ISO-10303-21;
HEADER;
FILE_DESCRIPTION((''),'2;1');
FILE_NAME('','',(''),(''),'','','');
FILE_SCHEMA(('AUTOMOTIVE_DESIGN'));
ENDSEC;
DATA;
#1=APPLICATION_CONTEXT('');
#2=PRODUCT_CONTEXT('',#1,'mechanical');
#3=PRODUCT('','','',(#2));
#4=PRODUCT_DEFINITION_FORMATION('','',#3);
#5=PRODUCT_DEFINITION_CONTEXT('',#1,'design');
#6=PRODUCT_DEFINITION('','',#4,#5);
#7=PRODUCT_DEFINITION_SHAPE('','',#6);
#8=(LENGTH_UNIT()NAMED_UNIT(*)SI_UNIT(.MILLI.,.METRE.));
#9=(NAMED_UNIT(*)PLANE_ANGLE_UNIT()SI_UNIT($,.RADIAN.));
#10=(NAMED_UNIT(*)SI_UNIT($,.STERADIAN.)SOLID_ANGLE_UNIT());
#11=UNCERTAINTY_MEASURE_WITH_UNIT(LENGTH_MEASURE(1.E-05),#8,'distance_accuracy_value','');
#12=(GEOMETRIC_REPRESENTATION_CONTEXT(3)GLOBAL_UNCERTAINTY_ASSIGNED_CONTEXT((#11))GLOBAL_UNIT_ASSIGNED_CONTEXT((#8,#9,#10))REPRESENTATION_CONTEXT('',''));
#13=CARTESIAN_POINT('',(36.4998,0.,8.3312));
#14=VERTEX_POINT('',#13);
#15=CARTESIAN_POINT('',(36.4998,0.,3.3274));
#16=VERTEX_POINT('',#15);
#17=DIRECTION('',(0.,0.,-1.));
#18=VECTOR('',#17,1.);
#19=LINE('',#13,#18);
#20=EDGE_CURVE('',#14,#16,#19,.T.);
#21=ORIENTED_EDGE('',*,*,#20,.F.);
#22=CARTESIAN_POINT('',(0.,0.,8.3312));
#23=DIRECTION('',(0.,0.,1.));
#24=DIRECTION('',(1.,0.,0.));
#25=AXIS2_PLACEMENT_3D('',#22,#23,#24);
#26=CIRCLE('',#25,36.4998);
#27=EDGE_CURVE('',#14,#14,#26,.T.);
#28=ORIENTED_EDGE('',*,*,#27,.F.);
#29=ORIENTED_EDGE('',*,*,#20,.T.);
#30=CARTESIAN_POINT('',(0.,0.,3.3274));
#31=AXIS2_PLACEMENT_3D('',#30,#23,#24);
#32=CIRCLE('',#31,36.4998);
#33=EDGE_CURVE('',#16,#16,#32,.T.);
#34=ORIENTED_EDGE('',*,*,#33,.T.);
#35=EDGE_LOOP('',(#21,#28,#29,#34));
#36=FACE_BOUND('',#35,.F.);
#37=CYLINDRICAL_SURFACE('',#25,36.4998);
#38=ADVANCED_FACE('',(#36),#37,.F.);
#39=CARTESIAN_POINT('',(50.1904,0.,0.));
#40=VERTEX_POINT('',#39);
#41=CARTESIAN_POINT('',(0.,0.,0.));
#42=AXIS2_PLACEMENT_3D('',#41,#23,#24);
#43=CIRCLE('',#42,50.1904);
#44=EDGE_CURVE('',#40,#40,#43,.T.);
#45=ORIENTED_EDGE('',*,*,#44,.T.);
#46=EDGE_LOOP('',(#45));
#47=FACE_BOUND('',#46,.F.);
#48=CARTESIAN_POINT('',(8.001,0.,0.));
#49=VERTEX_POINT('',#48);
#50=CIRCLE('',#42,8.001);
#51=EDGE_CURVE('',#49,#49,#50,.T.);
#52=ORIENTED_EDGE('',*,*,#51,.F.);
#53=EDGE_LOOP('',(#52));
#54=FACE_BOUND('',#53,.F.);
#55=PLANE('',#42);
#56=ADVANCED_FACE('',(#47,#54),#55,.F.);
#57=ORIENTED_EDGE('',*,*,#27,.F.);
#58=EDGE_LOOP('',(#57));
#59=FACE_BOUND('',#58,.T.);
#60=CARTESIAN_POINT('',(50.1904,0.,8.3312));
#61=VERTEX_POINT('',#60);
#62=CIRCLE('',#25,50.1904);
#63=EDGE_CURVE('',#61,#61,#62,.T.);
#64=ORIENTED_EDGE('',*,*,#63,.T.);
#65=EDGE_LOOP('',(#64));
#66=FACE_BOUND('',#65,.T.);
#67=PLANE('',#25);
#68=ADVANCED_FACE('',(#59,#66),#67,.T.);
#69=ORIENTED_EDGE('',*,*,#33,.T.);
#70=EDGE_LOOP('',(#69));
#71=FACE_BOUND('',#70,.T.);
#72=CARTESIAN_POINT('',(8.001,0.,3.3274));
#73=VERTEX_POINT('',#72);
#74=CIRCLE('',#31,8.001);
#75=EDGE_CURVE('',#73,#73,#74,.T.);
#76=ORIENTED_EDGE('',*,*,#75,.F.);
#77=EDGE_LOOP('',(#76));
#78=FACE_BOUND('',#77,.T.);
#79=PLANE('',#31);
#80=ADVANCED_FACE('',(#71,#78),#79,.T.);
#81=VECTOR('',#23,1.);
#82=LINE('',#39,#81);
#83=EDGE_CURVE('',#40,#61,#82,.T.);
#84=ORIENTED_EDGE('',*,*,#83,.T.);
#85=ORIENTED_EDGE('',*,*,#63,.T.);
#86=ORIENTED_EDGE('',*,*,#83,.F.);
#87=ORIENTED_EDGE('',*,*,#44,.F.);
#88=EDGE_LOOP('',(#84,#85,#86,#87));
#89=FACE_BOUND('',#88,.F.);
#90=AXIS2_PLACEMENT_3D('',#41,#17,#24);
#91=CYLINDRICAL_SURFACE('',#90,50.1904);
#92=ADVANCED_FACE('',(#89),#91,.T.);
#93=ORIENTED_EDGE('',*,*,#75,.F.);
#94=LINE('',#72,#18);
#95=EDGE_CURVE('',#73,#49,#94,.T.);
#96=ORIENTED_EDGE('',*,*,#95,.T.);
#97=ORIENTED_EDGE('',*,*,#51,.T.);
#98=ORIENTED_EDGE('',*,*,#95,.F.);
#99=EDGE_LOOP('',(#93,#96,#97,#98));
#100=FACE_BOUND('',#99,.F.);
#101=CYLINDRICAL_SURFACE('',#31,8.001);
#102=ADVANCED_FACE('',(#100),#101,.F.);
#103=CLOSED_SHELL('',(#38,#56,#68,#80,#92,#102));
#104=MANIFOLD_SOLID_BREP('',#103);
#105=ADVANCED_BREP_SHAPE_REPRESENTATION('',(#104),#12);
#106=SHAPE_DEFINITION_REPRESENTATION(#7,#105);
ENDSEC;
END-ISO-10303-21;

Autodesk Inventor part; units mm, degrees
ref_plane "YZ Plane" through (0, 0, 0) normal (1, 0, 0) x (0, 1, 0)
ref_plane "XZ Plane" through (0, 0, 0) normal (0, 1, 0) x (-1, 0, 0)
ref_plane "XY Plane" through (0, 0, 0) normal (0, 0, 1) x (1, 0, 0)
sketch "Sketch1" plane through (0, 0, 0) normal (0, 0, 1) x (1, 0, 0)
  circle A0 centre (-29.7426, 29.7426) radius 3.2004 projected
  circle A1 centre (29.7426, -29.7426) radius 3.2004 projected
  circle A2 centre (0, 0) radius 8.001 projected
  circle A3 centre (0, 0) radius 50.1904 projected
extrude "Extrusion1" add sketch "Sketch1" along normal blind 8.3312 contours A0 | A1 | A2 | A3
sketch "Sketch2" plane through (0, 0, 8.3312) normal (0, 0, 1) x (1, 0, 0)
  circle A0 centre (0, 0) radius 50.1904 projected
  circle A1 centre (0, 0) radius 36.4998
  dimension "d2" = 72.9996
extrude "Extrusion2" cut sketch "Sketch2" against normal blind 5.0038 contours A1
sketch "Sketch3" plane through (0, 0, 3.3274) normal (0, 0, 1) x (1, 0, 0)
  circle A0 centre (0, 0) radius 36.4998 projected
  circle A1 centre (0, 0) radius 8.001
  dimension "d5" = 16.002
extrude "Extrusion3" cut sketch "Sketch3" against normal through all contours A1
properties part number "top plate washer"
